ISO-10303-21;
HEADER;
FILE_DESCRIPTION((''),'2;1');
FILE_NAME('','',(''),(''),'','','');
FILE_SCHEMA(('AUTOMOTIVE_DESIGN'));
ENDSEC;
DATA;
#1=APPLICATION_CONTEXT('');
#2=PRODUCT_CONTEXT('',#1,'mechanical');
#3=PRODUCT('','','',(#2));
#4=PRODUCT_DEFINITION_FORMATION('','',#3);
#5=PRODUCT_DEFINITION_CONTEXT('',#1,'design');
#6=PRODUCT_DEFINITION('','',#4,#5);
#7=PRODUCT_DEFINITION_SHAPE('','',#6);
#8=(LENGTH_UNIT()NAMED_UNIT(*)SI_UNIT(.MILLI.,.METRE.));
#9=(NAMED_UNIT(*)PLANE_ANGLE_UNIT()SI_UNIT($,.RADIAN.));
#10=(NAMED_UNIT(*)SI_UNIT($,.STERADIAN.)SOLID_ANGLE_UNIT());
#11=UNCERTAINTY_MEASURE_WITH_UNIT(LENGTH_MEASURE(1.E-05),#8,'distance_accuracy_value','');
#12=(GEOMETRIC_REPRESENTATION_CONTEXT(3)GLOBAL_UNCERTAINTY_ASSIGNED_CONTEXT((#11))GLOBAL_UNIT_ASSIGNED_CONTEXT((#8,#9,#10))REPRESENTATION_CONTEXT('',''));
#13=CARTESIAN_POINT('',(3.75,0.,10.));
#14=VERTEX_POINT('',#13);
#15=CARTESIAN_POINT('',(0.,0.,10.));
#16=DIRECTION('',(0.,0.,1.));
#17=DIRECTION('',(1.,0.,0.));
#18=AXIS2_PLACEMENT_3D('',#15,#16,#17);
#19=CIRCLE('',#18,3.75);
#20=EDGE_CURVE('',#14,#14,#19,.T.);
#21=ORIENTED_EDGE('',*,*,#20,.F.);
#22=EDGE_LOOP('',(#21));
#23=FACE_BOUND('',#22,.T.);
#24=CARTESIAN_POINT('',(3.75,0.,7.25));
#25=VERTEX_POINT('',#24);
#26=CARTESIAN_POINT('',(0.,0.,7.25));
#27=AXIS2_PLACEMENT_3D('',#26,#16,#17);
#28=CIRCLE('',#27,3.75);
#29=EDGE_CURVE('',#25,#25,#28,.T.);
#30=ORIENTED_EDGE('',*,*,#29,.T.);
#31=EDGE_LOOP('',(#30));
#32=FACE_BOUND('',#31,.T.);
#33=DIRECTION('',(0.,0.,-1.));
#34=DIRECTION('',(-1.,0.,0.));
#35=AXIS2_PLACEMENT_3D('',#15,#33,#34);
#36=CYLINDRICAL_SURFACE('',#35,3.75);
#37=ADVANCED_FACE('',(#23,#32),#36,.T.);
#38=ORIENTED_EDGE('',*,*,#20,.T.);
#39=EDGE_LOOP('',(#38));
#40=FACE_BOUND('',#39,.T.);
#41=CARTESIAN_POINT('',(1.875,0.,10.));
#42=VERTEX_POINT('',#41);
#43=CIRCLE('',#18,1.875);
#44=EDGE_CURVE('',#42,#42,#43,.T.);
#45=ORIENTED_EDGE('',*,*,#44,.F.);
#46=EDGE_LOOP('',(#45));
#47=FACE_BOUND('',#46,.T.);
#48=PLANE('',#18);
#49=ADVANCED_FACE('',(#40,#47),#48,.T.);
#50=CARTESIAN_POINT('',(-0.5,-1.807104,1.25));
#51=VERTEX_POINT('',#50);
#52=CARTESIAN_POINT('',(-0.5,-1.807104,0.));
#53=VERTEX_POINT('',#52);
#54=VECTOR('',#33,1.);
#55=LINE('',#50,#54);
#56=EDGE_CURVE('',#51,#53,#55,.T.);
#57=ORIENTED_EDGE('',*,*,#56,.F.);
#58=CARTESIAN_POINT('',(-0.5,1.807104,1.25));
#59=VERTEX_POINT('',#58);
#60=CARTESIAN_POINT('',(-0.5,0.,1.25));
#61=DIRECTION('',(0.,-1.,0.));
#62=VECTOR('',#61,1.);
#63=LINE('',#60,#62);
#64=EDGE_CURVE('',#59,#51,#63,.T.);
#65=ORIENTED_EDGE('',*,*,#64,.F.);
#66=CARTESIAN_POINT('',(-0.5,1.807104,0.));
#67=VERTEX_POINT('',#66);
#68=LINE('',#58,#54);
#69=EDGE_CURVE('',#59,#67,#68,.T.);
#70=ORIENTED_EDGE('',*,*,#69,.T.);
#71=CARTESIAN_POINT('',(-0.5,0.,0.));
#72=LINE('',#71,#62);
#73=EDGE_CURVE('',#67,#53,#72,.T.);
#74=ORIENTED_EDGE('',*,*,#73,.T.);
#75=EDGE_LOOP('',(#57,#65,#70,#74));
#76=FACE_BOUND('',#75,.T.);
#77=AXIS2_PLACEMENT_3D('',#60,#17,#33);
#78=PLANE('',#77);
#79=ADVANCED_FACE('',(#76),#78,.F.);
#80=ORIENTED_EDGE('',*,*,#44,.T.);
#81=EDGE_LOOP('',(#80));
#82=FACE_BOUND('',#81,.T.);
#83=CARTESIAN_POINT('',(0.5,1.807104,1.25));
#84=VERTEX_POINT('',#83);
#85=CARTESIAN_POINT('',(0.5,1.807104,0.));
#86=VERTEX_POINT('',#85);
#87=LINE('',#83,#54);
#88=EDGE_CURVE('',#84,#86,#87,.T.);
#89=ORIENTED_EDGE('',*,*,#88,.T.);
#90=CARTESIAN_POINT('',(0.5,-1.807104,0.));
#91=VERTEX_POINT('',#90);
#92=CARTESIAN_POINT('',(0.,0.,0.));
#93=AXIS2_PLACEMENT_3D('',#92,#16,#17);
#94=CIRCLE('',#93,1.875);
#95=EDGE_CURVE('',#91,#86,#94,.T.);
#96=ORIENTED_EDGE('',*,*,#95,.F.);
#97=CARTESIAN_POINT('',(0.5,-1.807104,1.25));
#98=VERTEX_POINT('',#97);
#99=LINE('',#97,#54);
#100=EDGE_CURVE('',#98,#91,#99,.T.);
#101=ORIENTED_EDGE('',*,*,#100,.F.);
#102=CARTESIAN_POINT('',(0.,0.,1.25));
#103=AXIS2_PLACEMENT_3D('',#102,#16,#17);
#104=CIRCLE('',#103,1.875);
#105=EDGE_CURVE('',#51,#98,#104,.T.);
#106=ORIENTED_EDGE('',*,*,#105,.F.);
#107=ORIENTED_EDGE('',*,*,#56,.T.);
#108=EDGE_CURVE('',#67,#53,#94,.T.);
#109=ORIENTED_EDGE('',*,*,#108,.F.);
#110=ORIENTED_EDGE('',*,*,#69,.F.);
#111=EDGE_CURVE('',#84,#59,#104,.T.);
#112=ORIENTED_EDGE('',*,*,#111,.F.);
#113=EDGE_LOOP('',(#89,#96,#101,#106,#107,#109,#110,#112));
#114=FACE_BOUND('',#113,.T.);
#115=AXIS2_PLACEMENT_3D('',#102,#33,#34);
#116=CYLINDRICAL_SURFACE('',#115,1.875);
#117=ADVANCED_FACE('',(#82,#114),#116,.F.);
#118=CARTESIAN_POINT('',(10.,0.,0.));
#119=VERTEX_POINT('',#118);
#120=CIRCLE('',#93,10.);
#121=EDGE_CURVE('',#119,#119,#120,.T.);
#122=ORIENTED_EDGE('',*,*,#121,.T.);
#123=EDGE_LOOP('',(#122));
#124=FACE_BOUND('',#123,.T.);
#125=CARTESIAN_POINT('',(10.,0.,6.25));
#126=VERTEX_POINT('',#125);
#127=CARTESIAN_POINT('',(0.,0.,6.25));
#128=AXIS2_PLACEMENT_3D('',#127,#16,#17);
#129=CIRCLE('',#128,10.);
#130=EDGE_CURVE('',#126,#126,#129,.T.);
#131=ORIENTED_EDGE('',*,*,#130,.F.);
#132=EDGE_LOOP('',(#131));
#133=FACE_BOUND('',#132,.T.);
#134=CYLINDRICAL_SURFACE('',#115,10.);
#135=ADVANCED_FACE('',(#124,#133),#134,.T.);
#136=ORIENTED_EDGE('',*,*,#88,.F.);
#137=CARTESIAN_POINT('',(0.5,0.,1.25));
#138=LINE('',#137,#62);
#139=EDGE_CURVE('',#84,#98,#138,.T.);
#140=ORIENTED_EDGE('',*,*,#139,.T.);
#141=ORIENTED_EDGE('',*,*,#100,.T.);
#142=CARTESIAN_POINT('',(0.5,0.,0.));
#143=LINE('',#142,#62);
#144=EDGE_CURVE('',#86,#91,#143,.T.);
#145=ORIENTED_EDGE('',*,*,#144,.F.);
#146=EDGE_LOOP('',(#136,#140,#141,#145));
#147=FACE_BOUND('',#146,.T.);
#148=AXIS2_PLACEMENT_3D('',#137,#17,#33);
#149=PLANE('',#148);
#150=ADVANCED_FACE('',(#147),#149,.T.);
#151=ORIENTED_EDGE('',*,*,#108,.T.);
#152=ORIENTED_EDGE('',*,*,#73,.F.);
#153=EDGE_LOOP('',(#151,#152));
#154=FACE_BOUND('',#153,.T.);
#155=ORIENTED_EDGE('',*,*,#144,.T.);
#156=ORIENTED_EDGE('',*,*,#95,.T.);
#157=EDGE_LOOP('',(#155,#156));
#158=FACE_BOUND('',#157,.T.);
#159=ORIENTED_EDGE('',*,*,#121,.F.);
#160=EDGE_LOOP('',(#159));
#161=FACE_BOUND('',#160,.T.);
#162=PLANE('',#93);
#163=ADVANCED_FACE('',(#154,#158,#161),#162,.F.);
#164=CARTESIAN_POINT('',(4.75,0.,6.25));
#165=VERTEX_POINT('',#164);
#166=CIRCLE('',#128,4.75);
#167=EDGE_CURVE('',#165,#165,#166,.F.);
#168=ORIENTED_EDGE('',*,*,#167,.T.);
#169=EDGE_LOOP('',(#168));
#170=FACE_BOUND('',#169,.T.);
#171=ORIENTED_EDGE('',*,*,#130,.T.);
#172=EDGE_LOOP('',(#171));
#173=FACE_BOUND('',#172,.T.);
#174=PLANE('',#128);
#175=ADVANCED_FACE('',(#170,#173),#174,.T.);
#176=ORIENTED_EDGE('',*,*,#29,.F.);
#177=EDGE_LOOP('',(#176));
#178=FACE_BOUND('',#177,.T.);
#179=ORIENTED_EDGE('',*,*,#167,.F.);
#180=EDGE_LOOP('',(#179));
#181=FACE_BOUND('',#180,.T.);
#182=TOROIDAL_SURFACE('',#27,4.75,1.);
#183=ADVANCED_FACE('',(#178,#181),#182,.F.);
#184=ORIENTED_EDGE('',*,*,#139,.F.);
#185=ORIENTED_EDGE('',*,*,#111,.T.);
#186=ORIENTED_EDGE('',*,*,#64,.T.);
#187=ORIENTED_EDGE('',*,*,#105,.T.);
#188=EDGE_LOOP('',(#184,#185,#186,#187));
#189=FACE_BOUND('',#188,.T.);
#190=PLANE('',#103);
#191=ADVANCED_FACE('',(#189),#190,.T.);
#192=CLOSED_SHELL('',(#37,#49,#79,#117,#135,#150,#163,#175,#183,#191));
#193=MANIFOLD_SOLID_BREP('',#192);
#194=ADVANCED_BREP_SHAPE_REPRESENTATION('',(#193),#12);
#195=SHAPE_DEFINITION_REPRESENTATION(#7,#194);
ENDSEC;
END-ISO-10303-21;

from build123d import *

# Parameters (mm, degrees)
SKETCH1_R           = 10
BOSS_EXTRUDE1_DEPTH = 1.25
SKETCH2_R           = 10
SKETCH2_R_2         = 1.875
BOSS_EXTRUDE2_DEPTH = 5
SKETCH3_R           = 3.75
SKETCH3_R_2         = 1.875
BOSS_EXTRUDE3_DEPTH = 3.75
FILLET1_R           = 1


with BuildPart() as part:
    # Sketch1 → Boss-Extrude1 (new body)
    with BuildSketch(Plane.XY):
        Circle(SKETCH1_R)
        with BuildLine():
            Line((-0.5, 1.807104037), (-0.5, -1.807104037))
            ThreePointArc((-0.5, -1.807104037), (-1.875, 0), (-0.5, 1.807104037))
        make_face(mode=Mode.SUBTRACT)
        with BuildLine():
            Line((0.5, 1.807104037), (0.5, -1.807104037))
            ThreePointArc((0.5, -1.807104037), (1.875, 0), (0.5, 1.807104037))
        make_face(mode=Mode.SUBTRACT)
    extrude(amount=BOSS_EXTRUDE1_DEPTH)

    # Sketch2 → Boss-Extrude2 (add)
    with BuildSketch(Plane.XY.offset(1.25)):
        Circle(SKETCH2_R)
        Circle(SKETCH2_R_2, mode=Mode.SUBTRACT)
    extrude(amount=BOSS_EXTRUDE2_DEPTH)

    # Sketch3 → Boss-Extrude3 (add)
    with BuildSketch(Plane.XY.offset(6.25)):
        Circle(SKETCH3_R)
        Circle(SKETCH3_R_2, mode=Mode.SUBTRACT)
    extrude(amount=BOSS_EXTRUDE3_DEPTH)

    # Fillet1
    fillet1_edges = [part.edges().sort_by_distance(p)[0] for p in [
        (-3.75, 0, 6.25),
    ]]
    fillet(fillet1_edges, radius=FILLET1_R)


solid = part.part
